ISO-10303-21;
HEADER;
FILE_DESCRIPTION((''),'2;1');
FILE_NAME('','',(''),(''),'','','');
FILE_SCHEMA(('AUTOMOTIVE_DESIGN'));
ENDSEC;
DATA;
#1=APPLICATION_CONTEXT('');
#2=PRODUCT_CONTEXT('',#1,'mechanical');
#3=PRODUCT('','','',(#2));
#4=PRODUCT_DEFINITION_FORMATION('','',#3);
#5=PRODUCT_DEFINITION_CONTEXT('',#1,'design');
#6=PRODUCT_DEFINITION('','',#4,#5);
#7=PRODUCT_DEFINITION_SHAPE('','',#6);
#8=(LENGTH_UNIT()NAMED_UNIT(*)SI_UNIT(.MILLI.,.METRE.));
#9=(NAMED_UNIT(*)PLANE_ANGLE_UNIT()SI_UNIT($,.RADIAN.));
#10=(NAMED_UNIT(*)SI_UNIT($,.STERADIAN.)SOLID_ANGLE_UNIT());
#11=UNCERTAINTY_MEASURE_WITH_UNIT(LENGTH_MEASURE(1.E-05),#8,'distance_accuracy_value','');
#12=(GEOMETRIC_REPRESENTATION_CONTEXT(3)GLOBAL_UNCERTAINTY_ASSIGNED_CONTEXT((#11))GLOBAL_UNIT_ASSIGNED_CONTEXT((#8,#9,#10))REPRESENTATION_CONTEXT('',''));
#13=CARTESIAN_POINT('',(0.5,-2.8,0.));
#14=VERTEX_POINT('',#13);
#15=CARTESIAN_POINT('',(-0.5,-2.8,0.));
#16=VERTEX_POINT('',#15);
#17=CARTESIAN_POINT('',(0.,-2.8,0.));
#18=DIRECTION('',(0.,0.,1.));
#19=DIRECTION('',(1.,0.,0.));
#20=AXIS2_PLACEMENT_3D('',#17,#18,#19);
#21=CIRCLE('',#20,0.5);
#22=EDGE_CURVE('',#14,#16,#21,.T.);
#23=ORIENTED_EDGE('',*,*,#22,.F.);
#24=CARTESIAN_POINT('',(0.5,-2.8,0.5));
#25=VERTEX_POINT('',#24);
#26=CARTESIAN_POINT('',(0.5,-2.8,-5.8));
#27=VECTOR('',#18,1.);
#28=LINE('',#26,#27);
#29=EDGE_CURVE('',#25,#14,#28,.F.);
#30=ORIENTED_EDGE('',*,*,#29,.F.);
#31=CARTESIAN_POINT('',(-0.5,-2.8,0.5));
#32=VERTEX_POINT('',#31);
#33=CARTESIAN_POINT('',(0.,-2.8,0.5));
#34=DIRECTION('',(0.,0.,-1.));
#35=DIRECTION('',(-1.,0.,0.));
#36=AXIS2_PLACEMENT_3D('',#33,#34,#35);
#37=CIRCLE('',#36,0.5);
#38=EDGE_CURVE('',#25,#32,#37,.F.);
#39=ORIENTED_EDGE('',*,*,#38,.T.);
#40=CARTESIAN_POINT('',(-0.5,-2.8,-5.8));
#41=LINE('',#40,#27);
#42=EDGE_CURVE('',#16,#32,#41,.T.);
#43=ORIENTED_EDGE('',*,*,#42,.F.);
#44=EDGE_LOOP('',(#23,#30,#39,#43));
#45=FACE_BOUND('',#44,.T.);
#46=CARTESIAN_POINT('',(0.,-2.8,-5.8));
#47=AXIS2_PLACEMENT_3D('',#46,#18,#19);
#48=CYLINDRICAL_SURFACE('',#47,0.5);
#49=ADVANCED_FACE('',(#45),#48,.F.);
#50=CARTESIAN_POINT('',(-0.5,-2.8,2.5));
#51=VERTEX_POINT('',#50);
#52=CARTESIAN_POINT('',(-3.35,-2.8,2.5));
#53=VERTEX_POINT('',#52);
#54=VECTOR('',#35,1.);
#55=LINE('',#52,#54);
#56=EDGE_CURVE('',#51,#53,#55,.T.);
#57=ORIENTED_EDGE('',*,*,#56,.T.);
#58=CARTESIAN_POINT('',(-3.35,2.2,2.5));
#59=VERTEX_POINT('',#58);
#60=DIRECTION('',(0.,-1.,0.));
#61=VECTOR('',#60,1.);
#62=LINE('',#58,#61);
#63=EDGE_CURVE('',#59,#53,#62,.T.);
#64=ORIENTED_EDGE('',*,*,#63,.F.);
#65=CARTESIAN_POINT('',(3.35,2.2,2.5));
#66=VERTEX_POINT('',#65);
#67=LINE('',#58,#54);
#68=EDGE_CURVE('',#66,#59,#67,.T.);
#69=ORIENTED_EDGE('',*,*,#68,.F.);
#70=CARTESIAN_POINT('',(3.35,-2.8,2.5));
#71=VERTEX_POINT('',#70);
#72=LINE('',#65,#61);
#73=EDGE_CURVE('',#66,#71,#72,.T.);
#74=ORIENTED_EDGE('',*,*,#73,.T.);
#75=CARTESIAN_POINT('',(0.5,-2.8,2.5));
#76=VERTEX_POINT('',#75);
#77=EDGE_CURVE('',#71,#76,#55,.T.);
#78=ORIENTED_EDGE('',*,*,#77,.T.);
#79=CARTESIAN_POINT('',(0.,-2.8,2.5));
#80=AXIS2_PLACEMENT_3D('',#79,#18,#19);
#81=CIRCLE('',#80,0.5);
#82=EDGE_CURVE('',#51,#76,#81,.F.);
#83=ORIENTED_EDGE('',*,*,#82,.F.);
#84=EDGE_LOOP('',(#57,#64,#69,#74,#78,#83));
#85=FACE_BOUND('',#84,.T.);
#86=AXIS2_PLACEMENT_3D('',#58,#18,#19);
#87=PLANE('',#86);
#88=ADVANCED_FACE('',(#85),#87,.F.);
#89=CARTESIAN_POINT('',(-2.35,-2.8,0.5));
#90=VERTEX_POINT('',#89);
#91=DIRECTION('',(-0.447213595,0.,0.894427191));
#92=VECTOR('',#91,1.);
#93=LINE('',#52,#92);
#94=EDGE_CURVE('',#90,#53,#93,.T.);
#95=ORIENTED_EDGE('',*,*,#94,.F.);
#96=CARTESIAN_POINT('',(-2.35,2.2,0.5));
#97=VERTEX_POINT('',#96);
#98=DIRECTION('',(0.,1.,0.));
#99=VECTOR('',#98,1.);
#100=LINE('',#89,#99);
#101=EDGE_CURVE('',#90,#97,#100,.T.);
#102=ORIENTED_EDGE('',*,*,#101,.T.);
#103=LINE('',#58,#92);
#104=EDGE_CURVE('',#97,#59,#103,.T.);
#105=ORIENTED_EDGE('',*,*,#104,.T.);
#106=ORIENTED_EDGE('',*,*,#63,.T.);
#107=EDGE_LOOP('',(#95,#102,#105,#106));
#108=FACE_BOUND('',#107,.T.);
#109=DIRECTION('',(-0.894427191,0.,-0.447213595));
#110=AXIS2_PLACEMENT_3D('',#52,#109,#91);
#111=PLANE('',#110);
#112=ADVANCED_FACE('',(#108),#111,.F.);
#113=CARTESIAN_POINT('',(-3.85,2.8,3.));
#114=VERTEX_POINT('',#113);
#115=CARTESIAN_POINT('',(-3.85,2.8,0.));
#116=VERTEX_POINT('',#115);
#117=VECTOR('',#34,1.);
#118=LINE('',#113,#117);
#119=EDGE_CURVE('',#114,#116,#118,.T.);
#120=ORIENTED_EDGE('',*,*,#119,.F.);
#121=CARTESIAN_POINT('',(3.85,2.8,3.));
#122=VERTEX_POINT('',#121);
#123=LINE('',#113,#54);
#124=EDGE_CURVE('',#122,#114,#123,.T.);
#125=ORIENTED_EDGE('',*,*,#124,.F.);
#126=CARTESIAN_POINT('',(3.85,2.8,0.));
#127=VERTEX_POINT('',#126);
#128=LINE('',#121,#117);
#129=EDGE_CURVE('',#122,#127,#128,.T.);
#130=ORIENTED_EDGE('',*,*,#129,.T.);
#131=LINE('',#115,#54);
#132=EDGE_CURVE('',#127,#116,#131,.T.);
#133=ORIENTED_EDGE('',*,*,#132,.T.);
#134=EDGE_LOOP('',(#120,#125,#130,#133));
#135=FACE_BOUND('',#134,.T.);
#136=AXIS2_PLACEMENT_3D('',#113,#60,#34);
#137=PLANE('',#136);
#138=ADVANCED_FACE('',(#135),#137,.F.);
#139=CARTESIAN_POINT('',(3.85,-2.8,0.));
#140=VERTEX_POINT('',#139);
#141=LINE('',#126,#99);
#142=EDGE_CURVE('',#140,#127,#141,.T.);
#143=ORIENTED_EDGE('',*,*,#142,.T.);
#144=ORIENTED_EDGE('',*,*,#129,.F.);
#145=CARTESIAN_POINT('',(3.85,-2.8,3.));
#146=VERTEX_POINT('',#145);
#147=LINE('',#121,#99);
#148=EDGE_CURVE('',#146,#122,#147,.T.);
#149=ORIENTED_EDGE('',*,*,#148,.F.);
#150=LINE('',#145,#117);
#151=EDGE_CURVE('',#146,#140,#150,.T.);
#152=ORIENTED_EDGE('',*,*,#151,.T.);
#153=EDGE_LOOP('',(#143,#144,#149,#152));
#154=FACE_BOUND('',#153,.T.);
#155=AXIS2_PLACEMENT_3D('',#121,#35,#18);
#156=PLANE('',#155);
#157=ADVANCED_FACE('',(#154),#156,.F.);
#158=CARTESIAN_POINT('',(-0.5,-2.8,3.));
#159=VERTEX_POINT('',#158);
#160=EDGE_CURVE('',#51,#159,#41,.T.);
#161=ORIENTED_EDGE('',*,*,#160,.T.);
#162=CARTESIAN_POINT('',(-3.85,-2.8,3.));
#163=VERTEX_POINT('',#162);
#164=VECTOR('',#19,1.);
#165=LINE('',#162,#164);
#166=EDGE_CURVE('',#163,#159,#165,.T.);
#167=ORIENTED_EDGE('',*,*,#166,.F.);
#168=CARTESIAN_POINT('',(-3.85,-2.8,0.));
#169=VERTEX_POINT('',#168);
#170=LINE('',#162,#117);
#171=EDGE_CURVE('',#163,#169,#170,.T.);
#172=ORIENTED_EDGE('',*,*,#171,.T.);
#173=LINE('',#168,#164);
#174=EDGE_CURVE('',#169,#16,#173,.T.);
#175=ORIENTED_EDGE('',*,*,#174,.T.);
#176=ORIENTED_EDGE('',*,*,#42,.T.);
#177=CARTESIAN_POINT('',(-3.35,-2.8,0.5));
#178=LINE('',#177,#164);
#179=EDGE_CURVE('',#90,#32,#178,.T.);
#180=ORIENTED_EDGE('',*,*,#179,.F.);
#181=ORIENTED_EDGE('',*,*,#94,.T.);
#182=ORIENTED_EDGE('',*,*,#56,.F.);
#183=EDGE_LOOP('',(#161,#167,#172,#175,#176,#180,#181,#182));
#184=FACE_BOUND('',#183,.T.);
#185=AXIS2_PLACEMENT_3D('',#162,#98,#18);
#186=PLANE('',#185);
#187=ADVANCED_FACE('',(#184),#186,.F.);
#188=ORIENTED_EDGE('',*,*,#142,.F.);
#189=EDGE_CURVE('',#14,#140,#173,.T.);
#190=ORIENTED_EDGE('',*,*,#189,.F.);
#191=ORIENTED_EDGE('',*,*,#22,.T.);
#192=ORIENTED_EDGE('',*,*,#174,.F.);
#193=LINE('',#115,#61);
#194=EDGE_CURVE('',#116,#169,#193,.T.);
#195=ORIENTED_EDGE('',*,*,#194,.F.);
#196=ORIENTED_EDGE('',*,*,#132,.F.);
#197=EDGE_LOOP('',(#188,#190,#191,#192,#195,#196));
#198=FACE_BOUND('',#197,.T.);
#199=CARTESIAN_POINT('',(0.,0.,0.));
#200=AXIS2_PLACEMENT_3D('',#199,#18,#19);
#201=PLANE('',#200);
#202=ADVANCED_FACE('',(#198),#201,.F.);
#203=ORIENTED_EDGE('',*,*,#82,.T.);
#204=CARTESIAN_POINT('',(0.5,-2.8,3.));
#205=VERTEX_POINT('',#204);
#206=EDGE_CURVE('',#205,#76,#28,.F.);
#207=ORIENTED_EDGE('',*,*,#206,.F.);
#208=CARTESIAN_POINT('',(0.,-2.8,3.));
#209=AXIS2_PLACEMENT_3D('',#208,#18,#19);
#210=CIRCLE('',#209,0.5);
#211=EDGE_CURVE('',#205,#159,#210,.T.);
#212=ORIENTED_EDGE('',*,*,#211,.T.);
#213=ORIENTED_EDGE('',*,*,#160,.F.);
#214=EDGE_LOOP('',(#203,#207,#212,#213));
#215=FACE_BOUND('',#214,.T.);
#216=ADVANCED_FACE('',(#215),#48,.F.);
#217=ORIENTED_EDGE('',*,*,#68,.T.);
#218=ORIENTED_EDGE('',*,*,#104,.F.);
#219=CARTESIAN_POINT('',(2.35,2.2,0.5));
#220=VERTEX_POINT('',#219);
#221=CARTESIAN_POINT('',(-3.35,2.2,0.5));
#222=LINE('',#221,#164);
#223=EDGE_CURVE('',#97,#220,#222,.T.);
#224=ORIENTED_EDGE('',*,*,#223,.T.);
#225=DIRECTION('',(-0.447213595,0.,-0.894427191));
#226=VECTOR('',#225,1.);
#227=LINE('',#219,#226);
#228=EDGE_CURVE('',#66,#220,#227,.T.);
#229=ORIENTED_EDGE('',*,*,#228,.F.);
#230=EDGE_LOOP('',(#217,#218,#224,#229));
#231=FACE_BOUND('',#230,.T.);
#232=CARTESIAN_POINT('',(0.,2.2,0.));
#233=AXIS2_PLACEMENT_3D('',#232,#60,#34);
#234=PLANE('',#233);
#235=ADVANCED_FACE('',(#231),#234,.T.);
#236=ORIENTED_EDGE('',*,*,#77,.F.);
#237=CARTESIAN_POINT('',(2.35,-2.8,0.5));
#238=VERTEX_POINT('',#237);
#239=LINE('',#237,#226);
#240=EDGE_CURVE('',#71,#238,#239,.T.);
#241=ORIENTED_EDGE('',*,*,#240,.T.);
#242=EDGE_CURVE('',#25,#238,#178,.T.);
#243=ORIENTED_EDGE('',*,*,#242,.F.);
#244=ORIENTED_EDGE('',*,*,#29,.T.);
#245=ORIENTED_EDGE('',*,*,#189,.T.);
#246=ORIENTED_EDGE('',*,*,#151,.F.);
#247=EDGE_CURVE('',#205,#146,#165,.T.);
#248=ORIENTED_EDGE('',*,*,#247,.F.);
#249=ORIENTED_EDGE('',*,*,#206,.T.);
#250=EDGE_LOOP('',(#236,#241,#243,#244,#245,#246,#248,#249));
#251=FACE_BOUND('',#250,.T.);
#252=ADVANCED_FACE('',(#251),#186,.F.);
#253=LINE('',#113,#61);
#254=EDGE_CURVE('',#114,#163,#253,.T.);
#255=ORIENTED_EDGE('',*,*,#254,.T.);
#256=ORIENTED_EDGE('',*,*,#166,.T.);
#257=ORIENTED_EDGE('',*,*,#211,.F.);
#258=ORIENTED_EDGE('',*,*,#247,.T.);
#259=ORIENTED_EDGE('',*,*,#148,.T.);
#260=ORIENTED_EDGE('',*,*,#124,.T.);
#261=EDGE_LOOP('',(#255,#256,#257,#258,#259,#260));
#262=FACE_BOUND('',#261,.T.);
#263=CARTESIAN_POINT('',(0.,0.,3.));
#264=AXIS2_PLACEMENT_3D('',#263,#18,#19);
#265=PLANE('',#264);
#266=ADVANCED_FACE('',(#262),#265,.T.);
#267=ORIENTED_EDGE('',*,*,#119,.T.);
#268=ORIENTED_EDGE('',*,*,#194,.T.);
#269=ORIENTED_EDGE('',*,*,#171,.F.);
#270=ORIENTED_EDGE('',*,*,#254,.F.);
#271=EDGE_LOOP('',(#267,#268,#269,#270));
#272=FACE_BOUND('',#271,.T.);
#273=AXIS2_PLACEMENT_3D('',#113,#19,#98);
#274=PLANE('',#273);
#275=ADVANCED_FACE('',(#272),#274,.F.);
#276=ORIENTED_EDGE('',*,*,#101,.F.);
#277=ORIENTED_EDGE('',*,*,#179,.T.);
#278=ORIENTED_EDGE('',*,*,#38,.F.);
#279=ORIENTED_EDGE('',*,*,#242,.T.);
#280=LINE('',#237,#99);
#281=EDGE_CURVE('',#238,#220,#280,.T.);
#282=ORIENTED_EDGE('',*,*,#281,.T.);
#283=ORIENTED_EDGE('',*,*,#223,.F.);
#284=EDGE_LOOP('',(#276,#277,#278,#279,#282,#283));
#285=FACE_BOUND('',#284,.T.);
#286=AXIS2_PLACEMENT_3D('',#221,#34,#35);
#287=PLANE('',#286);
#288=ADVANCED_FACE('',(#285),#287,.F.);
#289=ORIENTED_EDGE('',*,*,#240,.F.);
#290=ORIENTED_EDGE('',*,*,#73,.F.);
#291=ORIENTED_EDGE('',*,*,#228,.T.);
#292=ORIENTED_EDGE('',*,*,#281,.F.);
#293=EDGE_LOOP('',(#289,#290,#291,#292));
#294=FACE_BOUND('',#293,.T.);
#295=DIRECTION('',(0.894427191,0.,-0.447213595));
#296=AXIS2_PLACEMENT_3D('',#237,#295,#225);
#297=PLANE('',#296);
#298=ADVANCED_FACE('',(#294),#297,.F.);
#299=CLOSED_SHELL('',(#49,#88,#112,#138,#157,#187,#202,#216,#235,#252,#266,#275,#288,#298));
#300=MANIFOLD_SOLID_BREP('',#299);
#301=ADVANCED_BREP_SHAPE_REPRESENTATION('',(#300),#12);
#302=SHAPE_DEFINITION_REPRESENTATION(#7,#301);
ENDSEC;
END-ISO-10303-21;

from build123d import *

# Parameters (mm, degrees)
SKETCH_1_W          = 7.7
SKETCH_1_H          = 5.6
EXTRUDE_1_DEPTH     = 3
SKETCH_2_R          = 0.5
CUT_EXTRUDE_2_DEPTH = 8.8
SKETCH_3_W          = 6.7
SKETCH_3_H          = 2
CUT_EXTRUDE_3_DEPTH = 5
EXTRUDE_2_DEPTH     = 5


with BuildPart() as part:
    # Эскиз1 → Бобышка-Вытянуть1 (new body)
    with BuildSketch(Plane.XY):
        Rectangle(SKETCH_1_W, SKETCH_1_H)
    extrude(amount=EXTRUDE_1_DEPTH)

    # Эскиз2 → Вырез-Вытянуть2 (cut)
    with BuildSketch(Plane.XY.offset(3)):
        with Locations((0, -2.8)):
            Circle(SKETCH_2_R)
    extrude(amount=-CUT_EXTRUDE_2_DEPTH, mode=Mode.SUBTRACT)

    # Эскиз3 → Вырез-Вытянуть3 (cut)
    with BuildSketch(Plane.XZ.offset(2.8)):
        with Locations((0, 1.5)):
            Rectangle(SKETCH_3_W, SKETCH_3_H)
    extrude(amount=-CUT_EXTRUDE_3_DEPTH, mode=Mode.SUBTRACT)

    # Эскиз4 → Бобышка-Вытянуть2 (add)
    with BuildSketch(Plane.XZ.offset(-2.2)):
        Polygon((-3.35, 2.5), (-2.35, 0.5), (-3.35, 0.5), align=None)
        Polygon((3.35, 2.5), (3.35, 0.5), (2.35, 0.5), align=None)
    extrude(amount=EXTRUDE_2_DEPTH)


solid = part.part
